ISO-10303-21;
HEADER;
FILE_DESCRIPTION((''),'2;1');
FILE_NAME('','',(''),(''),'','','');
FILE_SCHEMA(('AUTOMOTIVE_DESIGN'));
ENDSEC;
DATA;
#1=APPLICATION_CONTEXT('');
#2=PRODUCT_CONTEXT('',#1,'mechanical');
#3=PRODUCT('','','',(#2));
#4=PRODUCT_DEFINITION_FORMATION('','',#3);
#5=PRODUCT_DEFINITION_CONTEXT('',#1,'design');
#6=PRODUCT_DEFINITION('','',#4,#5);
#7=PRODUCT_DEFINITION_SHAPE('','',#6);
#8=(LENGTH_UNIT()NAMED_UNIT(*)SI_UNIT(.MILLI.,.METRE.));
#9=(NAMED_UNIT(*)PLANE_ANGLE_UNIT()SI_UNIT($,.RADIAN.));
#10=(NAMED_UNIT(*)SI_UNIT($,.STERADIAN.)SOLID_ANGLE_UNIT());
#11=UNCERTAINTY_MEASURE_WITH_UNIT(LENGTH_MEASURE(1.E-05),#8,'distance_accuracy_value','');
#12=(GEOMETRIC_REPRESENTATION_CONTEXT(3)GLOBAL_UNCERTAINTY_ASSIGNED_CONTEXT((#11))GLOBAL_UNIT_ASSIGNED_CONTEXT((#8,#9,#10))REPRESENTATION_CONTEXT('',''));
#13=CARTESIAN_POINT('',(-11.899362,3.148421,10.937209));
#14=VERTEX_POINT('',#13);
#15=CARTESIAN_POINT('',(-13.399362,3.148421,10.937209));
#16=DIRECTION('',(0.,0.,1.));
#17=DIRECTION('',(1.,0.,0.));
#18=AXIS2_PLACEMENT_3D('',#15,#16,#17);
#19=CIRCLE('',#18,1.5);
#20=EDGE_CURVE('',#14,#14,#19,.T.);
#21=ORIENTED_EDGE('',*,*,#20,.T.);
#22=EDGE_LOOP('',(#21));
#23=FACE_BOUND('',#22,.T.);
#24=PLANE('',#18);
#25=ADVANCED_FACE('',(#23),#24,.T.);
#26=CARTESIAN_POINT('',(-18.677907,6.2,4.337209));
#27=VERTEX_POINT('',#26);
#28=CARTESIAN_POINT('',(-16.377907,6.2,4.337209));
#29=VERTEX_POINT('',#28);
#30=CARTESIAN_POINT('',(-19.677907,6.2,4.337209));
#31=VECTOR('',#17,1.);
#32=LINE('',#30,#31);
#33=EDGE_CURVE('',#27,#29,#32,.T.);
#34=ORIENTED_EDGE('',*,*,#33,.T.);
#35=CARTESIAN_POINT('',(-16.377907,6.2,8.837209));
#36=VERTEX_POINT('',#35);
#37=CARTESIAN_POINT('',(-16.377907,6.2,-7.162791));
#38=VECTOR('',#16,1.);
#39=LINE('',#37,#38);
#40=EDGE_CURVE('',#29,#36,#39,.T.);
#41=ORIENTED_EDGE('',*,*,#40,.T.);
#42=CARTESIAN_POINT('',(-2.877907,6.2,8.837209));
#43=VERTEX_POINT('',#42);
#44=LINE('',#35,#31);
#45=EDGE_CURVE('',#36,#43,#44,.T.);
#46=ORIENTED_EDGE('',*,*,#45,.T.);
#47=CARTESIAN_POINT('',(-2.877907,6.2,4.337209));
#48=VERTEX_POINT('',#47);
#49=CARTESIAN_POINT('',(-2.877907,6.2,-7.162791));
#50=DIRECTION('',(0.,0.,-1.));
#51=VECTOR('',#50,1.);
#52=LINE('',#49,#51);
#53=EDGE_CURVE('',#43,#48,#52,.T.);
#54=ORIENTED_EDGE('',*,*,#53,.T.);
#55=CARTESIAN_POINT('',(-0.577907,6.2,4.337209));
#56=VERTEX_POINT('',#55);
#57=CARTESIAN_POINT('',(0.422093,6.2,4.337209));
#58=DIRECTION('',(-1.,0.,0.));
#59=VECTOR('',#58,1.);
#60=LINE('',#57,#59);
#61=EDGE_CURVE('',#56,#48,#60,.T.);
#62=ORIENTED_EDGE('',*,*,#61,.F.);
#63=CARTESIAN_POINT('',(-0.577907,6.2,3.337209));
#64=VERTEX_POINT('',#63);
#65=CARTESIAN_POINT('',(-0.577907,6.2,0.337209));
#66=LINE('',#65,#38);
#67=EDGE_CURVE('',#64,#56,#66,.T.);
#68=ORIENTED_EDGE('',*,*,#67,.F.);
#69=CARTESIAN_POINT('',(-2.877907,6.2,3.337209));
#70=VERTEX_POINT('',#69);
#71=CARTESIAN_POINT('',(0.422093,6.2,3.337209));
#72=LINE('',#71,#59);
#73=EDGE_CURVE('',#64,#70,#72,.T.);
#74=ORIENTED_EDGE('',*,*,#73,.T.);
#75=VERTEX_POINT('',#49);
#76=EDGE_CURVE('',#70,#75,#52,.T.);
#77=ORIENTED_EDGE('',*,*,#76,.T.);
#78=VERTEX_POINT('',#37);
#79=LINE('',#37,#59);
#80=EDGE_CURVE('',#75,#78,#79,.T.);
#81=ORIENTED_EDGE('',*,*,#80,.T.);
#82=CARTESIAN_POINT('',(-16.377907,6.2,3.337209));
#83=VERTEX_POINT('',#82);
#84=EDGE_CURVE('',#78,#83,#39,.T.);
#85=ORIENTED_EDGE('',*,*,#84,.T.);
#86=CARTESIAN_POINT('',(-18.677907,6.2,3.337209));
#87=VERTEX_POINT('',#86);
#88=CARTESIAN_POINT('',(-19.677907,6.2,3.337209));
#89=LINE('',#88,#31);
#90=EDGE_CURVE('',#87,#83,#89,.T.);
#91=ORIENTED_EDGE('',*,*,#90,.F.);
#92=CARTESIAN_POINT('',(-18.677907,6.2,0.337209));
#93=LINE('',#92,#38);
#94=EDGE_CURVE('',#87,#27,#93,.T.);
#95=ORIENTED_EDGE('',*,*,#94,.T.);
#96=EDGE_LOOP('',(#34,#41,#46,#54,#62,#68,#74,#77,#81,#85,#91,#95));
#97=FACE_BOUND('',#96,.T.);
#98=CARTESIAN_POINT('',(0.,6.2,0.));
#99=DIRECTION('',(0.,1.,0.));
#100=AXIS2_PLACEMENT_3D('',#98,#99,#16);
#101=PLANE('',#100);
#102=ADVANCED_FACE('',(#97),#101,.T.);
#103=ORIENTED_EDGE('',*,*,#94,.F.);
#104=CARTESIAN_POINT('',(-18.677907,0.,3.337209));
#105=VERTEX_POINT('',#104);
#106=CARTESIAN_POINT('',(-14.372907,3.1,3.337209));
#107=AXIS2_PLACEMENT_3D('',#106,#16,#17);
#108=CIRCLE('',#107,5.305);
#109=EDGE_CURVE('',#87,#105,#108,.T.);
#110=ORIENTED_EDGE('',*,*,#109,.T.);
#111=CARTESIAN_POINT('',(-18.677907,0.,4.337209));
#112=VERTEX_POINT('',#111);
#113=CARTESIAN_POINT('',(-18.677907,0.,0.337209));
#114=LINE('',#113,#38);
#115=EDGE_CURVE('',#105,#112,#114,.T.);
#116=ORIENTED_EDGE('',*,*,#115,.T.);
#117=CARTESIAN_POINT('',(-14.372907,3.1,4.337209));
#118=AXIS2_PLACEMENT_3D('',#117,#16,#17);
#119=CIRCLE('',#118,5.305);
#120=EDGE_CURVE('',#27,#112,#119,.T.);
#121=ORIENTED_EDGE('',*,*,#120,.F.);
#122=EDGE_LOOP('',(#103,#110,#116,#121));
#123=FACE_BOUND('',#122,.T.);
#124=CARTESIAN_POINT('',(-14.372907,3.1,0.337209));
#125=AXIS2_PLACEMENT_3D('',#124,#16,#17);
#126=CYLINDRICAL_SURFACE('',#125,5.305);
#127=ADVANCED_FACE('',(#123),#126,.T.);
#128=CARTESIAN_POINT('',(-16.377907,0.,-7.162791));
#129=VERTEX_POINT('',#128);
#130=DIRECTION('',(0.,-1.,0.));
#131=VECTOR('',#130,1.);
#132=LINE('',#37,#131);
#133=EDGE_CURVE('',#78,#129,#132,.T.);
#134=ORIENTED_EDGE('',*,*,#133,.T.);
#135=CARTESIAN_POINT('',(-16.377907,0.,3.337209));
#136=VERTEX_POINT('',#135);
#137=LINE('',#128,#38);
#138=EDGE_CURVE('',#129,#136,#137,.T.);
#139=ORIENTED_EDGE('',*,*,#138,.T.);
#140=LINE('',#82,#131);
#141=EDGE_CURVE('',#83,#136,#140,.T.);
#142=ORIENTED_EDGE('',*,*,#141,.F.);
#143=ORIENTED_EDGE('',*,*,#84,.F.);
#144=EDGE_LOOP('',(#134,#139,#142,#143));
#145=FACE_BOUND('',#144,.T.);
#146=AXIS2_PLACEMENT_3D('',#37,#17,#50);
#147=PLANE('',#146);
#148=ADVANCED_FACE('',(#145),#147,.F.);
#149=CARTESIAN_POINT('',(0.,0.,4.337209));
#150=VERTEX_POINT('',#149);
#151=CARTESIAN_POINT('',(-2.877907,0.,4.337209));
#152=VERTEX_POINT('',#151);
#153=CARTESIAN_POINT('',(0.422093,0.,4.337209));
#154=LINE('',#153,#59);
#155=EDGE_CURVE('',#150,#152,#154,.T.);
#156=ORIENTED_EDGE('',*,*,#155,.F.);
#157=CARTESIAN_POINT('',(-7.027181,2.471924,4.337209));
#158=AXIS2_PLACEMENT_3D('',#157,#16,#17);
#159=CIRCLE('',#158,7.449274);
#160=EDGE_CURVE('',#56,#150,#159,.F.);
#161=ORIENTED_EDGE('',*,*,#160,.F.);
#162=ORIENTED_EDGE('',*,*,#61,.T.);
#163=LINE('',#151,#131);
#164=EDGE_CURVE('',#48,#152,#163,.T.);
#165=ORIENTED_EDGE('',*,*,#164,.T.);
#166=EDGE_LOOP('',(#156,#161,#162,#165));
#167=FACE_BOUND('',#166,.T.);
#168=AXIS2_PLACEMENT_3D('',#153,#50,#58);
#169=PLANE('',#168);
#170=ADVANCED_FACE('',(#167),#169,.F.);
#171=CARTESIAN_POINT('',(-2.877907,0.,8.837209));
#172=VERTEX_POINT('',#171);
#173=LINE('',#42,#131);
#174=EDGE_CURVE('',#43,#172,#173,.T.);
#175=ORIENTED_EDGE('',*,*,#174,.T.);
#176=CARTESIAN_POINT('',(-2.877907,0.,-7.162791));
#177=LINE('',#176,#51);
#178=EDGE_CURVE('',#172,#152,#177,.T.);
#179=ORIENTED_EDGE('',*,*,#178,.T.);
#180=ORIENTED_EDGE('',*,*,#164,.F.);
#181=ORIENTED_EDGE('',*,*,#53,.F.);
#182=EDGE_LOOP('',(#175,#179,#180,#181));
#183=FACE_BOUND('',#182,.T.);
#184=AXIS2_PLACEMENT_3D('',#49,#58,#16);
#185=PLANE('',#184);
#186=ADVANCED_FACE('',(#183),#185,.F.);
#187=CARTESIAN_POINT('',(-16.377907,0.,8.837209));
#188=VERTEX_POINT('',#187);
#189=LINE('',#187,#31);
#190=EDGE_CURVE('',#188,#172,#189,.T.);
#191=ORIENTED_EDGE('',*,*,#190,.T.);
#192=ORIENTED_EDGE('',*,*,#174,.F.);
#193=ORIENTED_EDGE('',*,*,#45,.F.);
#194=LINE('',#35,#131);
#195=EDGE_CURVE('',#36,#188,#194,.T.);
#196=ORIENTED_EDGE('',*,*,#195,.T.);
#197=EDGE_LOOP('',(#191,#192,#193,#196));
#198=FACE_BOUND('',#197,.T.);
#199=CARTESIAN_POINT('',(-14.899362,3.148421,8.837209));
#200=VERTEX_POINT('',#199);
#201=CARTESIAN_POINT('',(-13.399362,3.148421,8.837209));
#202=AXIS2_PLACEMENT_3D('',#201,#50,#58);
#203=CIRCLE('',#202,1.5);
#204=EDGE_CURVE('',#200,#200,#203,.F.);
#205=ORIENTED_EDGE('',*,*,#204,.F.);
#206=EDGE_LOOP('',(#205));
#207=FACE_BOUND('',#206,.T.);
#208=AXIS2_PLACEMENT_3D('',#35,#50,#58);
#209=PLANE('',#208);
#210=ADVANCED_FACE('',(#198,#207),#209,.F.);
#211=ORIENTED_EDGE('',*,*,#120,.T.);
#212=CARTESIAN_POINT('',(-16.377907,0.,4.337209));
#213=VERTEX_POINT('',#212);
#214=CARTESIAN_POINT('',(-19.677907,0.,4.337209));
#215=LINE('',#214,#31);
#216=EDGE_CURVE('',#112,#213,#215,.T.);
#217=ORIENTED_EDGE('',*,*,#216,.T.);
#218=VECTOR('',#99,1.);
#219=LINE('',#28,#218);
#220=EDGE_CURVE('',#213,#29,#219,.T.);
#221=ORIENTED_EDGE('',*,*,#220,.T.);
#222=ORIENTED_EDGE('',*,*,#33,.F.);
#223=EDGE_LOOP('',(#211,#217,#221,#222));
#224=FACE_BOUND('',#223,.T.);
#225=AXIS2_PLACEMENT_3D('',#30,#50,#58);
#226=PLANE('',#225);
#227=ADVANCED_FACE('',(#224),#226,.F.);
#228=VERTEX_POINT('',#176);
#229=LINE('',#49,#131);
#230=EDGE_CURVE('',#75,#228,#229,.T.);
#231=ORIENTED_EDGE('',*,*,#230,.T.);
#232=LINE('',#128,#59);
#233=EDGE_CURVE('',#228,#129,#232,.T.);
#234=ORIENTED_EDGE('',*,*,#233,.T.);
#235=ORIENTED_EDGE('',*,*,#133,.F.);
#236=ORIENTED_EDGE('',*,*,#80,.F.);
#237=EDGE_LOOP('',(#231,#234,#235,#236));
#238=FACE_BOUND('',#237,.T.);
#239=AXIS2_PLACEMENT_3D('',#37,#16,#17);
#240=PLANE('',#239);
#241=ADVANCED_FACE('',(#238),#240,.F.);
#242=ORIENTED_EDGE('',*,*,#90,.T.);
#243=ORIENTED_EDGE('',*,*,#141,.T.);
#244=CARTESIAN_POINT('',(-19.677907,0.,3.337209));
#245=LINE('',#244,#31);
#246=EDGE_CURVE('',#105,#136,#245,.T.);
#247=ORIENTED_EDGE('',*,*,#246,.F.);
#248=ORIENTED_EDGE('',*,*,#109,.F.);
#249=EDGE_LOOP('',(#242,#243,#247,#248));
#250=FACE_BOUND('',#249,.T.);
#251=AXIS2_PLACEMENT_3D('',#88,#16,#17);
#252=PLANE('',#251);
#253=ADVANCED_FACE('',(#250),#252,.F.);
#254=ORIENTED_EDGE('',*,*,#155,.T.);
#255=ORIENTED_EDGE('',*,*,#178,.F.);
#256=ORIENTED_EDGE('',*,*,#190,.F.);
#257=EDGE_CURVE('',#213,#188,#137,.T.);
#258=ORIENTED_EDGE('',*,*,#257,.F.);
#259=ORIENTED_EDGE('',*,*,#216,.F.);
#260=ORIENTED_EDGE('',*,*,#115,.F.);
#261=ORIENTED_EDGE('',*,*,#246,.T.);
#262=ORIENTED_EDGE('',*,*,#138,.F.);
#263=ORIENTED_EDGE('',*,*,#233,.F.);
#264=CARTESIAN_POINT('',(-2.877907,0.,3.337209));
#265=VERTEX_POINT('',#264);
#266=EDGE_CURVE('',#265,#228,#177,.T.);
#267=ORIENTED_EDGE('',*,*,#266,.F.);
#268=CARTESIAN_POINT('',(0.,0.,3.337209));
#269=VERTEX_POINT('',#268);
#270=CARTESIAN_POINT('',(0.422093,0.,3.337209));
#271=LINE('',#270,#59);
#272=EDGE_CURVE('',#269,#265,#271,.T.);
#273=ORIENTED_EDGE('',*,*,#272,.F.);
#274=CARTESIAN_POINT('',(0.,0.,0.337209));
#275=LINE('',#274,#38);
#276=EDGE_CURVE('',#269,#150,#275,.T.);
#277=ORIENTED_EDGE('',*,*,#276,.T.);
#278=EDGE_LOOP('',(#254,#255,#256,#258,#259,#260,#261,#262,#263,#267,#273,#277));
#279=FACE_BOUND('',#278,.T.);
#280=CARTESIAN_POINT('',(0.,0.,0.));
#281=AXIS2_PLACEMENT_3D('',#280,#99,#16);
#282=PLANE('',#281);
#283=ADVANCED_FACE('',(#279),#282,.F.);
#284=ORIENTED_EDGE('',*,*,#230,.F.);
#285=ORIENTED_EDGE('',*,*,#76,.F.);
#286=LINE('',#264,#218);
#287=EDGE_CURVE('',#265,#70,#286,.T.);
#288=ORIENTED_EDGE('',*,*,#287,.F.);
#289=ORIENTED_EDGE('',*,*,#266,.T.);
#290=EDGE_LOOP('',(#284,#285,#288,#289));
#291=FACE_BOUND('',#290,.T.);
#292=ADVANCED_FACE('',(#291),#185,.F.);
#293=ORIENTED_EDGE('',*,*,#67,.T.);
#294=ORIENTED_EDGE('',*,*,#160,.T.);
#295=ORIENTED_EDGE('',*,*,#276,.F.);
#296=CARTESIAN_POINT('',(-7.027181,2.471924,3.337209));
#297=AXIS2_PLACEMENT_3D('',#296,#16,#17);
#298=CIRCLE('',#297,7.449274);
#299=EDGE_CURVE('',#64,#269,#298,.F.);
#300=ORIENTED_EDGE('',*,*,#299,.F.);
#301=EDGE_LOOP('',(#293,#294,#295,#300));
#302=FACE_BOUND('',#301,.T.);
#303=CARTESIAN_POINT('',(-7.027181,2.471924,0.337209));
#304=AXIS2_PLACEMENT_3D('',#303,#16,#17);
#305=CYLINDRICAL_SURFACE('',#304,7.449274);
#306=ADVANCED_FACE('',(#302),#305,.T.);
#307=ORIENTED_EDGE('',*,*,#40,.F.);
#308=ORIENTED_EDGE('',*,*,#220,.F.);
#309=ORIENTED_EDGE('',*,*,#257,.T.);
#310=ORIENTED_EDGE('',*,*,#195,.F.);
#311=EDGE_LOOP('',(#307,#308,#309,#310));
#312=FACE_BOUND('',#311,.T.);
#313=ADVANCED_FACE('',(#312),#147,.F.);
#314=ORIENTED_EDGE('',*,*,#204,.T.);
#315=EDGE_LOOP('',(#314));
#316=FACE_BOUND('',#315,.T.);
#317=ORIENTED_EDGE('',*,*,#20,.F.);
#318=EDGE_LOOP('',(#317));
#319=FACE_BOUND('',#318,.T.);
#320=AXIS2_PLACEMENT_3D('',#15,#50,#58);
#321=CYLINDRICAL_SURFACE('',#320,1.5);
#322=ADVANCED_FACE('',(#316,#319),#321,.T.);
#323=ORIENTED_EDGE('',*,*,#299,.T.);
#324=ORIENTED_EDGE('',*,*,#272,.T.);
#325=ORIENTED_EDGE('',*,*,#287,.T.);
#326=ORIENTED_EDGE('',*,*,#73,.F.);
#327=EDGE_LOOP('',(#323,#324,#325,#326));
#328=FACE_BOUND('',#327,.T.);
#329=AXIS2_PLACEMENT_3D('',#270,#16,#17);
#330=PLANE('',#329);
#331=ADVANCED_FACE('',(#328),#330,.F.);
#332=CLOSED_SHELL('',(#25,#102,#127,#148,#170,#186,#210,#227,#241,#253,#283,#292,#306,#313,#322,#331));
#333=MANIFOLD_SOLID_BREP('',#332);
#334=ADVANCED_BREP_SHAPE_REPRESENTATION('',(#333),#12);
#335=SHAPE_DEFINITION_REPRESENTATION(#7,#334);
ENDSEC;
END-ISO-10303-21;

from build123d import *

# Parameters (mm, degrees)
SKETCH_1_W          = 13.5
SKETCH_1_H          = 16
EXTRUDE_1_DEPTH     = 6.2
SKETCH_2_R          = 1.5
EXTRUDE_2_DEPTH     = 2.1
SKETCH_3_W          = 1
SKETCH_3_H          = 6.2
EXTRUDE_3_DEPTH     = 3.3
CUT_EXTRUDE_1_DEPTH = 4
SKETCH_6_W          = 1
SKETCH_6_H          = 6.2
EXTRUDE_4_DEPTH     = 3.3
CUT_EXTRUDE_2_DEPTH = 4


with BuildPart() as part:
    # 草图1 → 凸台-拉伸1 (new body)
    with BuildSketch(Plane(origin=(0, 0, 0), x_dir=(1, 0, 0), z_dir=(0, 1, 0))):
        with Locations((-9.627906977, -0.837209302)):
            Rectangle(SKETCH_1_W, SKETCH_1_H)
    extrude(amount=EXTRUDE_1_DEPTH)

    # 草图2 → 凸台-拉伸2 (add)
    with BuildSketch(Plane.XY.offset(8.837209302)):
        with Locations((-13.399361956, 3.148420963)):
            Circle(SKETCH_2_R)
    extrude(amount=EXTRUDE_2_DEPTH)

    # 草图3 → 凸台-拉伸3 (add)
    with BuildSketch(Plane.ZY.offset(16.377906977)):
        with Locations((3.837209302, 3.1)):
            Rectangle(SKETCH_3_W, SKETCH_3_H)
    extrude(amount=EXTRUDE_3_DEPTH)

    # 草图5 → 切除-拉伸1 (cut)
    with BuildSketch(Plane.XY.offset(4.337209302)):
        with BuildLine():
            ThreePointArc((-19.677906977, 3.1), (-19.421721194, 4.728649747), (-18.677906977, 6.2))
            Line((-18.677906977, 6.2), (-19.677906977, 6.2))
            Line((-19.677906977, 6.2), (-19.677906977, 3.1))
        make_face()
        with BuildLine():
            ThreePointArc((-18.677906977, 0), (-19.421721194, 1.471350253), (-19.677906977, 3.1))
            Line((-19.677906977, 3.1), (-19.677906977, 0))
            Line((-19.677906977, 0), (-18.677906977, 0))
        make_face()
    extrude(amount=-CUT_EXTRUDE_1_DEPTH, mode=Mode.SUBTRACT)

    # 草图6 → 凸台-拉伸4 (add)
    with BuildSketch(Plane(origin=(-2.877906977, 0, 0), x_dir=(0, 0, -1), z_dir=(1, 0, 0))):
        with Locations((-3.837209302, 3.1)):
            Rectangle(SKETCH_6_W, SKETCH_6_H)
    extrude(amount=EXTRUDE_4_DEPTH)

    # 草图10 → 切除-拉伸2 (cut)
    with BuildSketch(Plane.XY.offset(4.337209302)):
        with BuildLine():
            Line((0.422093023, 0), (0.422093023, 2.47192447))
            ThreePointArc((0.422093023, 2.47192447), (0.315811593, 1.218073092), (0, 0))
            Line((0, 0), (0.422093023, 0))
        make_face()
        with BuildLine():
            Line((0.422093023, 6.2), (-0.577906977, 6.2))
            ThreePointArc((-0.577906977, 6.2), (0.167750994, 4.401856278), (0.422093023, 2.47192447))
            Line((0.422093023, 2.47192447), (0.422093023, 6.2))
        make_face()
    extrude(amount=-CUT_EXTRUDE_2_DEPTH, mode=Mode.SUBTRACT)


solid = part.part
